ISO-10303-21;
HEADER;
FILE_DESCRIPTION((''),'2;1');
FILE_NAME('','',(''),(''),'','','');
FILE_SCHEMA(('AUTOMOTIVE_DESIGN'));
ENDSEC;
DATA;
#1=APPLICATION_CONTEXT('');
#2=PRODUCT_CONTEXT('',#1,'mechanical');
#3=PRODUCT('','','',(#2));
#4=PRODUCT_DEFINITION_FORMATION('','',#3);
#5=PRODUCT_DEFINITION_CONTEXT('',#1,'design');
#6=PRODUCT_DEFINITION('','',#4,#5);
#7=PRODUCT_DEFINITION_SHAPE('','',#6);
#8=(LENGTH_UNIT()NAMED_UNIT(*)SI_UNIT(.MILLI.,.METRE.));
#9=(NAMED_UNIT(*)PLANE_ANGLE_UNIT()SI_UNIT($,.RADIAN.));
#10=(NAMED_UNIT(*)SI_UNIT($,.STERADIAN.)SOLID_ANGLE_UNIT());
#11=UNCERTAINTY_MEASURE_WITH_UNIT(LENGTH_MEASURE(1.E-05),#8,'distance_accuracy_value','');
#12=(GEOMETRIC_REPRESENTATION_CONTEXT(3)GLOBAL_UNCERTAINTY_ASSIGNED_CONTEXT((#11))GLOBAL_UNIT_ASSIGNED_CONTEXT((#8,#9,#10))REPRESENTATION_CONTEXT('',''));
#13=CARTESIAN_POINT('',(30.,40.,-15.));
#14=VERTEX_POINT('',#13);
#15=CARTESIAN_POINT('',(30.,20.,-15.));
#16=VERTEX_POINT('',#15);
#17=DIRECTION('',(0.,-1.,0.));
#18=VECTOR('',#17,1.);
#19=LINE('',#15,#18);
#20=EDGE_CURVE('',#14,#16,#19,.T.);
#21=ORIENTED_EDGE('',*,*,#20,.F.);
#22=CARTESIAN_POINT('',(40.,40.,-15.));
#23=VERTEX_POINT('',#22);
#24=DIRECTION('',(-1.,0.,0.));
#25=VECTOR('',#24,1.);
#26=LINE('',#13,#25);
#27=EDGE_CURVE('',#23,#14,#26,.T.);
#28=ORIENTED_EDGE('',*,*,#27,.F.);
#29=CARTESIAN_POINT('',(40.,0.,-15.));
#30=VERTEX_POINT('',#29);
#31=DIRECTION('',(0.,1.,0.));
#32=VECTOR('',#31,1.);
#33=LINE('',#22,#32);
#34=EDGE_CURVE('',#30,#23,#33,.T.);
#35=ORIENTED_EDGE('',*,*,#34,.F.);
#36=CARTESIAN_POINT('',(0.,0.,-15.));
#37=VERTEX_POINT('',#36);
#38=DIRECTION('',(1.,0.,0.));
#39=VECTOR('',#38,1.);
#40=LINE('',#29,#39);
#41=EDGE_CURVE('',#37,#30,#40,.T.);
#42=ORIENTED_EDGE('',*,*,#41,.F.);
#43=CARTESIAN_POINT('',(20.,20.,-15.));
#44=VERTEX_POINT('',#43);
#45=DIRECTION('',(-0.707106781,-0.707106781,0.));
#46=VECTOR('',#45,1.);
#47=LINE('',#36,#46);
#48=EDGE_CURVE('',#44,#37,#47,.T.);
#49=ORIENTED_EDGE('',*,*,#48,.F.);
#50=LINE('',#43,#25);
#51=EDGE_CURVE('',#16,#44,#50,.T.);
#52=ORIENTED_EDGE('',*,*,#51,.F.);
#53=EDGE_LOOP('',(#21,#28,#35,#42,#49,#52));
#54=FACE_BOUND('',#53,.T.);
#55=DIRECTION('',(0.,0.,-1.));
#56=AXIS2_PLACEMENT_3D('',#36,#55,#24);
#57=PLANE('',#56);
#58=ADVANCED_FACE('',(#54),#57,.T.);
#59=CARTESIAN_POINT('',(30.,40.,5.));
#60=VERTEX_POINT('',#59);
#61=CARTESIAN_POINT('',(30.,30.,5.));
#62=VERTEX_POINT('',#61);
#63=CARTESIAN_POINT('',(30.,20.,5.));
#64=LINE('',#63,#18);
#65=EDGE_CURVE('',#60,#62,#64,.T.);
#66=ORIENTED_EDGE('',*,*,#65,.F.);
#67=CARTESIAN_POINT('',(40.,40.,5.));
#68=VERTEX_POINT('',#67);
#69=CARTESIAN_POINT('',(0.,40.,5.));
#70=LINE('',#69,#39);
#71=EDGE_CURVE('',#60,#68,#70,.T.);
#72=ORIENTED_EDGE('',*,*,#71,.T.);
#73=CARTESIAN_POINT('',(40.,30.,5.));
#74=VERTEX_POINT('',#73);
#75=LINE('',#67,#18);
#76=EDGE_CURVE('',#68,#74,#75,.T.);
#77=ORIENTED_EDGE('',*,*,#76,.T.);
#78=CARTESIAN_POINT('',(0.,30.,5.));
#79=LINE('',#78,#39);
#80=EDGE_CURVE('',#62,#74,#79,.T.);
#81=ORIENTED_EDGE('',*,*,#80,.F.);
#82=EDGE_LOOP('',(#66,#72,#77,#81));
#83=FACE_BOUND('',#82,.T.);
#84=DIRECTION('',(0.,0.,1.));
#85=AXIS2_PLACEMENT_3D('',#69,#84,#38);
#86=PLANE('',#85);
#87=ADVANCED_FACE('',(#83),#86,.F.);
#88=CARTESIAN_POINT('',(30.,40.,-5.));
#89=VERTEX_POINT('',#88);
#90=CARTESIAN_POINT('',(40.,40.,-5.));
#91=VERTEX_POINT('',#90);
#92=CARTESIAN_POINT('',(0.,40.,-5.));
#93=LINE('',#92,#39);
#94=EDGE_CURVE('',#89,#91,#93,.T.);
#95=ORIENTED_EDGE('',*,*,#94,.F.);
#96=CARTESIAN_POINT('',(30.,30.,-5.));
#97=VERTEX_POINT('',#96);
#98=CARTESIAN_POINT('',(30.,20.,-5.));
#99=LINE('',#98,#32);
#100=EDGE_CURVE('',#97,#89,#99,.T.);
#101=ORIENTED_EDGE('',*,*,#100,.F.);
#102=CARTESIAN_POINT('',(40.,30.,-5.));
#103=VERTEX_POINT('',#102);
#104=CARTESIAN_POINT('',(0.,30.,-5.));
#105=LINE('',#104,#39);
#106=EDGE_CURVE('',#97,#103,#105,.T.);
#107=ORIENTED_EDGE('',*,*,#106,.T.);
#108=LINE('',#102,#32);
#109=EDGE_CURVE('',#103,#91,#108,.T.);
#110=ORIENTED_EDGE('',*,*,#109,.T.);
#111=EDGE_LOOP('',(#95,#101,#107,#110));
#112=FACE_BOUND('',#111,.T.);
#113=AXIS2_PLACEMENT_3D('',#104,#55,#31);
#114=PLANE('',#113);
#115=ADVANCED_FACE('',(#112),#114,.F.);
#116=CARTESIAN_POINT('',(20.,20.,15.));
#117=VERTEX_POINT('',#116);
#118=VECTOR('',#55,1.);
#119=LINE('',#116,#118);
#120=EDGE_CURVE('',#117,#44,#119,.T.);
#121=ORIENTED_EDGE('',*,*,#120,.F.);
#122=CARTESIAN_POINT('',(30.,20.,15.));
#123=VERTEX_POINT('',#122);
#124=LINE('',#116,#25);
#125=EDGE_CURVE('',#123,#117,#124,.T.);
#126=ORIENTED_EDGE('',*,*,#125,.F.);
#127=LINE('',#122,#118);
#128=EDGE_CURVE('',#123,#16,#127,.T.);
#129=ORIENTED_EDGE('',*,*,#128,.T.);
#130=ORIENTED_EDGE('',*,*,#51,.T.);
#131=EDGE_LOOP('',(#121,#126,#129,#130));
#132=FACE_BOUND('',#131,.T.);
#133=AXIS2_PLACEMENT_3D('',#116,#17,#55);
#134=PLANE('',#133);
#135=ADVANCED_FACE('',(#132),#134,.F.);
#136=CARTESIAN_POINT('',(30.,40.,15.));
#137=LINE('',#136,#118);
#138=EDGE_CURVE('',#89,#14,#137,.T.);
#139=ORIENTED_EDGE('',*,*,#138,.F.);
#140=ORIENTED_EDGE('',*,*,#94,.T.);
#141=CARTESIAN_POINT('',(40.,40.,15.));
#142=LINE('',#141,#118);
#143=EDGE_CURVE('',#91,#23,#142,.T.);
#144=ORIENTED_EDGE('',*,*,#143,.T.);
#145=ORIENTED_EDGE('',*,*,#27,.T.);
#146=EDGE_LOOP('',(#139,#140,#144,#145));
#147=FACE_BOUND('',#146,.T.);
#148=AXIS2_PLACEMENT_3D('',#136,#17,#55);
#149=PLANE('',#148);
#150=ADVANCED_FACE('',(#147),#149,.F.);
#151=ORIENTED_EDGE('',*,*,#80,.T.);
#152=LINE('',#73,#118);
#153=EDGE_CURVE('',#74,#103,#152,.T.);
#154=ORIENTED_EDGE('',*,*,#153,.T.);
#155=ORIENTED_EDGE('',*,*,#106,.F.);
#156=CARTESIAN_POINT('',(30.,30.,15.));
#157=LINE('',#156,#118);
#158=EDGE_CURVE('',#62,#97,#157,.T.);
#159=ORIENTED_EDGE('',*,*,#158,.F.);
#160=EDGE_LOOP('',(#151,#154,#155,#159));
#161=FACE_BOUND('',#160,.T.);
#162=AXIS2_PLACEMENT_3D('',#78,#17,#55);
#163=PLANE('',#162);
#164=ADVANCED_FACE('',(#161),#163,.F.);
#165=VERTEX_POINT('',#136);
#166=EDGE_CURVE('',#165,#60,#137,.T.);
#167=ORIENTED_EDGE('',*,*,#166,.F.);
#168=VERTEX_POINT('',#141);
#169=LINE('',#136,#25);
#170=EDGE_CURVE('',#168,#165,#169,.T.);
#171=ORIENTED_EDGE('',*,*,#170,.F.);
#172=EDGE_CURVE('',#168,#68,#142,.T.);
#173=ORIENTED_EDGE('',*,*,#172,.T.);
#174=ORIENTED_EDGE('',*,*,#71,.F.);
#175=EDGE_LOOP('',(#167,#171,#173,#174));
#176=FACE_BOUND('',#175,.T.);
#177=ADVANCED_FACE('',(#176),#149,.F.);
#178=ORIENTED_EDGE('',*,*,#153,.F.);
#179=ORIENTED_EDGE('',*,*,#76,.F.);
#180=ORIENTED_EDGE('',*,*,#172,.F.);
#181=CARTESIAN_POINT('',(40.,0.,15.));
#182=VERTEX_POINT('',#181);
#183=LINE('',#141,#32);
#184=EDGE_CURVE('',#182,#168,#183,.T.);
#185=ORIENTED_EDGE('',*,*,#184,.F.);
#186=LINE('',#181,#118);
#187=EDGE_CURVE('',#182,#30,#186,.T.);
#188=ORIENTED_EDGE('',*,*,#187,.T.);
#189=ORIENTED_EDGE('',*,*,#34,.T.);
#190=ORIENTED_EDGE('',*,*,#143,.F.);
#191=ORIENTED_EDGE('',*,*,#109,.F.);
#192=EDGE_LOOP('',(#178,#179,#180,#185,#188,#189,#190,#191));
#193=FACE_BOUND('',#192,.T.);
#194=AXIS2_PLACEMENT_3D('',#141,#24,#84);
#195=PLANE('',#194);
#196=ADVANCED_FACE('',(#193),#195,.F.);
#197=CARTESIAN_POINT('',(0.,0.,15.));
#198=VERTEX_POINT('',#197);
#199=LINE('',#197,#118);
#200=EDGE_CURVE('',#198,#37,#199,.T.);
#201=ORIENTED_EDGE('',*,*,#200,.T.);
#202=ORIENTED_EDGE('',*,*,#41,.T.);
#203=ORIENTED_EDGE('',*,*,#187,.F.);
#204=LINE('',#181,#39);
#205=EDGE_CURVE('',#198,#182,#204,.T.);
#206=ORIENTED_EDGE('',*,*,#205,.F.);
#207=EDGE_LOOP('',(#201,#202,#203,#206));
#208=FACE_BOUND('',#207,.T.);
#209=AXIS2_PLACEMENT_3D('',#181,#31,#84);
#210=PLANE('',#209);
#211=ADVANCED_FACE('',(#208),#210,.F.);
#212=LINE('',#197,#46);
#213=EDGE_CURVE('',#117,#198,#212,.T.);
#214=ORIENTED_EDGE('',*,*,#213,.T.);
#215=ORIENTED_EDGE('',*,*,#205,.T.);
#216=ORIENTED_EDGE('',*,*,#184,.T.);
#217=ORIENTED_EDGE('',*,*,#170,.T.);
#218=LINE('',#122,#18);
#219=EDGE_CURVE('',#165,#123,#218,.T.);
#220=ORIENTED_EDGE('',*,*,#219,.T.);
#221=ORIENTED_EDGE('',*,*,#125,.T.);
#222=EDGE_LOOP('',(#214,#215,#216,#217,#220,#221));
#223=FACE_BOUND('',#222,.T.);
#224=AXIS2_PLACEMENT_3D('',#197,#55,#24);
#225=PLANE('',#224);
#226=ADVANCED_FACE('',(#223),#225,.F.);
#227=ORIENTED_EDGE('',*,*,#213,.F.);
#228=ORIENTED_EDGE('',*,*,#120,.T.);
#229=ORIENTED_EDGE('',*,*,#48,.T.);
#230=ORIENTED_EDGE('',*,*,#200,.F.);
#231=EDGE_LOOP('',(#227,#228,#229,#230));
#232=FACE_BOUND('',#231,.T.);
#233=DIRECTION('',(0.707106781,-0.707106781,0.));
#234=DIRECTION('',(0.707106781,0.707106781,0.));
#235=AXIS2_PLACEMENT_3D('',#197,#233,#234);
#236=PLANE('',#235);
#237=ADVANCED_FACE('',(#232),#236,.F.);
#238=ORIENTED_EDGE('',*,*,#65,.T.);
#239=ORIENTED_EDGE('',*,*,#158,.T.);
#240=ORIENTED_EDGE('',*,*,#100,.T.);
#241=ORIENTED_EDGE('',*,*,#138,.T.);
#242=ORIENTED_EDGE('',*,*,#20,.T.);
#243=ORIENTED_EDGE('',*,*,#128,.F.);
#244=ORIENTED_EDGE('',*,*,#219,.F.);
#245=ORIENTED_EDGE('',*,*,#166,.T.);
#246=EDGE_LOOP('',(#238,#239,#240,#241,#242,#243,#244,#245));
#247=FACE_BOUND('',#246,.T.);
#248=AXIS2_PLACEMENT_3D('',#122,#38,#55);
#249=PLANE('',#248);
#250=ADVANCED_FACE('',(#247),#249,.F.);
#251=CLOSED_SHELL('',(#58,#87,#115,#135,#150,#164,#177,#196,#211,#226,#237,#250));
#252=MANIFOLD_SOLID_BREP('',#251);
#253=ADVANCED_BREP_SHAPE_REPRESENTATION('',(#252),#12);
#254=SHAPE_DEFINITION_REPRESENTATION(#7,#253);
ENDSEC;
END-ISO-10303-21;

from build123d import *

# Parameters (mm, degrees)
RESSALTO_EXTRUS_O1_DEPTH = 15
ESBO_O2_W                = 10
ESBO_O2_H                = 10
CORTE_EXTRUS_O1_DEPTH    = 41


with BuildPart() as part:
    # Esboço1 → Ressalto-extrusão1 (new body, symmetric)
    with BuildSketch(Plane.XY):
        Polygon((0, 0), (20, 20), (30, 20), (30, 40), (40, 40), (40, 0), align=None)
    extrude(amount=RESSALTO_EXTRUS_O1_DEPTH, both=True)

    # Esboço2 → Corte-extrusão1 (cut, through all)
    with BuildSketch(Plane(origin=(40, 0, 0), x_dir=(0, 0, -1), z_dir=(1, 0, 0))):
        with Locations((0, 35)):
            Rectangle(ESBO_O2_W, ESBO_O2_H)
    extrude(amount=-CORTE_EXTRUS_O1_DEPTH, mode=Mode.SUBTRACT)


solid = part.part
